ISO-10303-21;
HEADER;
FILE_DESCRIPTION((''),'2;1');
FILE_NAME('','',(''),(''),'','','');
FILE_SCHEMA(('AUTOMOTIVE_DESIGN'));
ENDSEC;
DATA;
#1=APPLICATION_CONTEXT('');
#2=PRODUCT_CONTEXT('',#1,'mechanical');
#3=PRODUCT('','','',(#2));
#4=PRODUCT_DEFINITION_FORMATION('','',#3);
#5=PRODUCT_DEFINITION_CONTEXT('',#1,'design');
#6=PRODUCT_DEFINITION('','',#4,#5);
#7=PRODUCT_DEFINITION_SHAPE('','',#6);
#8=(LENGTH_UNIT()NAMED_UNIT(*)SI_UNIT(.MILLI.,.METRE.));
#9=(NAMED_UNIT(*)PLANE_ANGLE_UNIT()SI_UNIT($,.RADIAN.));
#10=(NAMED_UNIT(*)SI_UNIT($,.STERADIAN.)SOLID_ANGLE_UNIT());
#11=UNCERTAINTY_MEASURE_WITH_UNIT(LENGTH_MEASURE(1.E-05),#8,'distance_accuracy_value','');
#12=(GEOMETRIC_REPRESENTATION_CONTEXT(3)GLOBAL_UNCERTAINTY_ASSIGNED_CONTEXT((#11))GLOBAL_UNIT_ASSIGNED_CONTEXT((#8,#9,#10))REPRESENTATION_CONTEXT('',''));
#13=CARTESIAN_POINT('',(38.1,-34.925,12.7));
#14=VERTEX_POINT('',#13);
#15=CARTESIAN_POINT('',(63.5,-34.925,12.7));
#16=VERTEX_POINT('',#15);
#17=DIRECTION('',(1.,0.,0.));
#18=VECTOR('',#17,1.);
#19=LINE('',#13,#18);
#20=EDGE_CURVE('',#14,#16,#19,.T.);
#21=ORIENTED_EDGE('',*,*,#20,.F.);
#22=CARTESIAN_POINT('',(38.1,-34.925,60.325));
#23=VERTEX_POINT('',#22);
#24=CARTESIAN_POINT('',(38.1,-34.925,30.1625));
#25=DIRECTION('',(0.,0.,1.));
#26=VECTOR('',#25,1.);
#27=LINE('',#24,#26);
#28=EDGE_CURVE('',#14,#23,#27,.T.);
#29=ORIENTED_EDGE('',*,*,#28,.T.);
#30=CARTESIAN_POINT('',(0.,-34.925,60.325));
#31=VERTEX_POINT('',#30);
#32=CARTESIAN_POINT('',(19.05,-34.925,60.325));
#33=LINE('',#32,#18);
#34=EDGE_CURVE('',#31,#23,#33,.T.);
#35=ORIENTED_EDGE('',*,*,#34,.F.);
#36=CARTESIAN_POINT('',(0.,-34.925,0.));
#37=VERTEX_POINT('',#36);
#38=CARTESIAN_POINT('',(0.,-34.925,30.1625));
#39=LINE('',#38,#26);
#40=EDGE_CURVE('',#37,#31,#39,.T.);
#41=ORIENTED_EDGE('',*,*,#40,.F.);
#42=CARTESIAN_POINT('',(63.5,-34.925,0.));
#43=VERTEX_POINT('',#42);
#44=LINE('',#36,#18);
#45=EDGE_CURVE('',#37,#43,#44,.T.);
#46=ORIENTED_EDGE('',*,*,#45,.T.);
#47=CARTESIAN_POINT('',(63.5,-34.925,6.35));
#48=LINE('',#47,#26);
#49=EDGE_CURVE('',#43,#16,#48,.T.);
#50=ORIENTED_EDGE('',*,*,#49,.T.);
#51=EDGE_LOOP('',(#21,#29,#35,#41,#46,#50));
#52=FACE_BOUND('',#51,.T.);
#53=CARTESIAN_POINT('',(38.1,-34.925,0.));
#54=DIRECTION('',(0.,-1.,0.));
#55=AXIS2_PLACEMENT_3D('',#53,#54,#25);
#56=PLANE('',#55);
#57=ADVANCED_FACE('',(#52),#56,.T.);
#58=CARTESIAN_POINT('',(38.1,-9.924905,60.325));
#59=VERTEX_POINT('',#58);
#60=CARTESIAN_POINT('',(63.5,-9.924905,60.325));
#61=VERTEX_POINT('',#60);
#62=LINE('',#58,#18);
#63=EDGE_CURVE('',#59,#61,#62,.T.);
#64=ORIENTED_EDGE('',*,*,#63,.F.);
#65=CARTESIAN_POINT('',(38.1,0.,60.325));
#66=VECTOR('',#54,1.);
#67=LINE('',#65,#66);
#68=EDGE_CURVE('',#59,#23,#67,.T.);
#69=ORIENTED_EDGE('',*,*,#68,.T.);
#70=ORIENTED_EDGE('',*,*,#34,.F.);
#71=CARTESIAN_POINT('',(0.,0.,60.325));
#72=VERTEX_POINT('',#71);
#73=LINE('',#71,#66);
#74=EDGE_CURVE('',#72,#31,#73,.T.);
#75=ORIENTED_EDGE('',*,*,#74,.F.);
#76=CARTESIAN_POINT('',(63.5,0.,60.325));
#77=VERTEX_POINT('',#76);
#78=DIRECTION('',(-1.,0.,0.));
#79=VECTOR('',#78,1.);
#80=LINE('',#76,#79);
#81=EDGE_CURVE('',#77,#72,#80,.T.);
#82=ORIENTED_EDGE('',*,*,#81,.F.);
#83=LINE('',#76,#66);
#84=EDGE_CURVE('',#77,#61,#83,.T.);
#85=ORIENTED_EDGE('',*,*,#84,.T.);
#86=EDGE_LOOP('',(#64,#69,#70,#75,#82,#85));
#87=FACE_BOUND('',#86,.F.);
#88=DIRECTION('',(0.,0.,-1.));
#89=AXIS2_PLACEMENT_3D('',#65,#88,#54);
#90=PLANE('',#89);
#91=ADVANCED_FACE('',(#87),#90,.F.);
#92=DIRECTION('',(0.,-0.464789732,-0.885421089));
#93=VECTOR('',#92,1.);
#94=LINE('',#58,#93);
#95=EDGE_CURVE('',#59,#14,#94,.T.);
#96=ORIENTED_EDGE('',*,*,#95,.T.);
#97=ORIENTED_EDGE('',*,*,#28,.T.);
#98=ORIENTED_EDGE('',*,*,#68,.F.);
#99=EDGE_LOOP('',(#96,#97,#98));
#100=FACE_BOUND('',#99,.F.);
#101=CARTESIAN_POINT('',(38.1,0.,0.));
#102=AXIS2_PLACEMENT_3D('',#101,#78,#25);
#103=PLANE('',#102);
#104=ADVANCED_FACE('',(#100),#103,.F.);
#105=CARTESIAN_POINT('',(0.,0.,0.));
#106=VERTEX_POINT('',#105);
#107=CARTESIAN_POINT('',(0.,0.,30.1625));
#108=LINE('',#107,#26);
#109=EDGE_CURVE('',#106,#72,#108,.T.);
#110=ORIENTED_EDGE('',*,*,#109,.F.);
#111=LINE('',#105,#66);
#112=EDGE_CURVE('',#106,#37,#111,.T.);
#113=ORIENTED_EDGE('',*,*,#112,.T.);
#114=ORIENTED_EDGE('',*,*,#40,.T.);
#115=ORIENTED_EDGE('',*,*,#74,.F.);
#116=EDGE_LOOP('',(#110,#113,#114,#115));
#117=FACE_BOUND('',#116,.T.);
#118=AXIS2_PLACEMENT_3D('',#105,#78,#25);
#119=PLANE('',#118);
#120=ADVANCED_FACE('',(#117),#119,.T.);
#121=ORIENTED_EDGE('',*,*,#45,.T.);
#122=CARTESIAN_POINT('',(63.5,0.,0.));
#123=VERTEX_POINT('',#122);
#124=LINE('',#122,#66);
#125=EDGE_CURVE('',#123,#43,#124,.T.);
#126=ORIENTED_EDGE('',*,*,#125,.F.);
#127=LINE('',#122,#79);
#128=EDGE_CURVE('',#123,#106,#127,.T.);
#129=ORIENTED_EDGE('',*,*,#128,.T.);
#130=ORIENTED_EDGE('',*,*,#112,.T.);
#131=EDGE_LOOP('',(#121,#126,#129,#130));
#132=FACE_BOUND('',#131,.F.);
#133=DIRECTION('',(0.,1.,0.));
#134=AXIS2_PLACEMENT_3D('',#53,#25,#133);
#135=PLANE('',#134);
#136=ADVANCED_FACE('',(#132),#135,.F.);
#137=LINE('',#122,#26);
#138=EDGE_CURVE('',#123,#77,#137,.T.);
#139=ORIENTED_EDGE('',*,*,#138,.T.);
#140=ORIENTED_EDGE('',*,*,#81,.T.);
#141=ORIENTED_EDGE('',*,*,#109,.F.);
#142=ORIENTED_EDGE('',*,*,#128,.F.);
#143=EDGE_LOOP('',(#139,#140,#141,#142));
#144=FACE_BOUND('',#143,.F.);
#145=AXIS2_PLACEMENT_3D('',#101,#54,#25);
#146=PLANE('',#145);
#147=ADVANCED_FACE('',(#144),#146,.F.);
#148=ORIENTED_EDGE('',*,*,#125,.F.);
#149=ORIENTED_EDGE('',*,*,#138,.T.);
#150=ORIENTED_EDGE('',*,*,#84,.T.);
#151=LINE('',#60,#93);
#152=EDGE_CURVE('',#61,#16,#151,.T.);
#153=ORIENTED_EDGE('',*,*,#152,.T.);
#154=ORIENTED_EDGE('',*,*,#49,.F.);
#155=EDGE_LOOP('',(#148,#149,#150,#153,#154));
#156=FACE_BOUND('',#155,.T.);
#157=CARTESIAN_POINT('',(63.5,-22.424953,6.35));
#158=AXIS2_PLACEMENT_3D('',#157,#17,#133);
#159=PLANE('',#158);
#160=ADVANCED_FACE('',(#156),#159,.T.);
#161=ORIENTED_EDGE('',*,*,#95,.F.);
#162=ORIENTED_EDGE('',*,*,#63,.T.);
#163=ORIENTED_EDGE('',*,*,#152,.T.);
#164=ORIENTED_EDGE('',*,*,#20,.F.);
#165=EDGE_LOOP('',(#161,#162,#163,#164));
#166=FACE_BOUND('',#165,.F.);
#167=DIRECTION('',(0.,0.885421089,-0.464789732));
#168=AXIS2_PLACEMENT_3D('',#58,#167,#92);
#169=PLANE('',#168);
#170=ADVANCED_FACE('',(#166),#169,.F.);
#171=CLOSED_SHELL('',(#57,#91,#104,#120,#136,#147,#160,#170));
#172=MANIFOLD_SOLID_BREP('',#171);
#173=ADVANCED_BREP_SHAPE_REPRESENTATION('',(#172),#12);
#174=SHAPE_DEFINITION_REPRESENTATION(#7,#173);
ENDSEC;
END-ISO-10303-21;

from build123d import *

# Parameters (mm, degrees)
F0_W     = 38.1
F0_H     = 60.325
F1_DEPTH = 34.925
F3_DEPTH = 25.4
F5_DEPTH = 25.4
F6_W     = 25.0000946254
F6_H     = 12.7
F7_DEPTH = 25.4


with BuildPart() as f1:
    # F0 (on Front) → F1 (new body)
    with BuildSketch(Plane.XZ):
        with Locations((19.05, 30.1625)):
            Rectangle(F0_W, F0_H)
    extrude(amount=F1_DEPTH)

    # F2 (on face) → F3 (join)
    with BuildSketch(Plane.YZ.offset(38.1)):
        Polygon((-9.9249053746, 60.325), (-34.925, 12.7), (-9.9249053746, 12.7), align=None)
    extrude(amount=F3_DEPTH)

    # F4 (on face) → F5 (join)
    with BuildSketch(Plane.YZ.offset(38.1)):
        Polygon((0, 60.325), (-9.9249053746, 60.325), (-9.9249053746, 12.7), (-9.9249053746, 0), (0, 0), align=None)
    extrude(amount=F5_DEPTH)

    # F6 (on face) → F7 (join)
    with BuildSketch(Plane.YZ.offset(38.1)):
        with Locations((-22.4249526873, 6.35)):
            Rectangle(F6_W, F6_H)
    extrude(amount=F7_DEPTH)


solid = f1.part
